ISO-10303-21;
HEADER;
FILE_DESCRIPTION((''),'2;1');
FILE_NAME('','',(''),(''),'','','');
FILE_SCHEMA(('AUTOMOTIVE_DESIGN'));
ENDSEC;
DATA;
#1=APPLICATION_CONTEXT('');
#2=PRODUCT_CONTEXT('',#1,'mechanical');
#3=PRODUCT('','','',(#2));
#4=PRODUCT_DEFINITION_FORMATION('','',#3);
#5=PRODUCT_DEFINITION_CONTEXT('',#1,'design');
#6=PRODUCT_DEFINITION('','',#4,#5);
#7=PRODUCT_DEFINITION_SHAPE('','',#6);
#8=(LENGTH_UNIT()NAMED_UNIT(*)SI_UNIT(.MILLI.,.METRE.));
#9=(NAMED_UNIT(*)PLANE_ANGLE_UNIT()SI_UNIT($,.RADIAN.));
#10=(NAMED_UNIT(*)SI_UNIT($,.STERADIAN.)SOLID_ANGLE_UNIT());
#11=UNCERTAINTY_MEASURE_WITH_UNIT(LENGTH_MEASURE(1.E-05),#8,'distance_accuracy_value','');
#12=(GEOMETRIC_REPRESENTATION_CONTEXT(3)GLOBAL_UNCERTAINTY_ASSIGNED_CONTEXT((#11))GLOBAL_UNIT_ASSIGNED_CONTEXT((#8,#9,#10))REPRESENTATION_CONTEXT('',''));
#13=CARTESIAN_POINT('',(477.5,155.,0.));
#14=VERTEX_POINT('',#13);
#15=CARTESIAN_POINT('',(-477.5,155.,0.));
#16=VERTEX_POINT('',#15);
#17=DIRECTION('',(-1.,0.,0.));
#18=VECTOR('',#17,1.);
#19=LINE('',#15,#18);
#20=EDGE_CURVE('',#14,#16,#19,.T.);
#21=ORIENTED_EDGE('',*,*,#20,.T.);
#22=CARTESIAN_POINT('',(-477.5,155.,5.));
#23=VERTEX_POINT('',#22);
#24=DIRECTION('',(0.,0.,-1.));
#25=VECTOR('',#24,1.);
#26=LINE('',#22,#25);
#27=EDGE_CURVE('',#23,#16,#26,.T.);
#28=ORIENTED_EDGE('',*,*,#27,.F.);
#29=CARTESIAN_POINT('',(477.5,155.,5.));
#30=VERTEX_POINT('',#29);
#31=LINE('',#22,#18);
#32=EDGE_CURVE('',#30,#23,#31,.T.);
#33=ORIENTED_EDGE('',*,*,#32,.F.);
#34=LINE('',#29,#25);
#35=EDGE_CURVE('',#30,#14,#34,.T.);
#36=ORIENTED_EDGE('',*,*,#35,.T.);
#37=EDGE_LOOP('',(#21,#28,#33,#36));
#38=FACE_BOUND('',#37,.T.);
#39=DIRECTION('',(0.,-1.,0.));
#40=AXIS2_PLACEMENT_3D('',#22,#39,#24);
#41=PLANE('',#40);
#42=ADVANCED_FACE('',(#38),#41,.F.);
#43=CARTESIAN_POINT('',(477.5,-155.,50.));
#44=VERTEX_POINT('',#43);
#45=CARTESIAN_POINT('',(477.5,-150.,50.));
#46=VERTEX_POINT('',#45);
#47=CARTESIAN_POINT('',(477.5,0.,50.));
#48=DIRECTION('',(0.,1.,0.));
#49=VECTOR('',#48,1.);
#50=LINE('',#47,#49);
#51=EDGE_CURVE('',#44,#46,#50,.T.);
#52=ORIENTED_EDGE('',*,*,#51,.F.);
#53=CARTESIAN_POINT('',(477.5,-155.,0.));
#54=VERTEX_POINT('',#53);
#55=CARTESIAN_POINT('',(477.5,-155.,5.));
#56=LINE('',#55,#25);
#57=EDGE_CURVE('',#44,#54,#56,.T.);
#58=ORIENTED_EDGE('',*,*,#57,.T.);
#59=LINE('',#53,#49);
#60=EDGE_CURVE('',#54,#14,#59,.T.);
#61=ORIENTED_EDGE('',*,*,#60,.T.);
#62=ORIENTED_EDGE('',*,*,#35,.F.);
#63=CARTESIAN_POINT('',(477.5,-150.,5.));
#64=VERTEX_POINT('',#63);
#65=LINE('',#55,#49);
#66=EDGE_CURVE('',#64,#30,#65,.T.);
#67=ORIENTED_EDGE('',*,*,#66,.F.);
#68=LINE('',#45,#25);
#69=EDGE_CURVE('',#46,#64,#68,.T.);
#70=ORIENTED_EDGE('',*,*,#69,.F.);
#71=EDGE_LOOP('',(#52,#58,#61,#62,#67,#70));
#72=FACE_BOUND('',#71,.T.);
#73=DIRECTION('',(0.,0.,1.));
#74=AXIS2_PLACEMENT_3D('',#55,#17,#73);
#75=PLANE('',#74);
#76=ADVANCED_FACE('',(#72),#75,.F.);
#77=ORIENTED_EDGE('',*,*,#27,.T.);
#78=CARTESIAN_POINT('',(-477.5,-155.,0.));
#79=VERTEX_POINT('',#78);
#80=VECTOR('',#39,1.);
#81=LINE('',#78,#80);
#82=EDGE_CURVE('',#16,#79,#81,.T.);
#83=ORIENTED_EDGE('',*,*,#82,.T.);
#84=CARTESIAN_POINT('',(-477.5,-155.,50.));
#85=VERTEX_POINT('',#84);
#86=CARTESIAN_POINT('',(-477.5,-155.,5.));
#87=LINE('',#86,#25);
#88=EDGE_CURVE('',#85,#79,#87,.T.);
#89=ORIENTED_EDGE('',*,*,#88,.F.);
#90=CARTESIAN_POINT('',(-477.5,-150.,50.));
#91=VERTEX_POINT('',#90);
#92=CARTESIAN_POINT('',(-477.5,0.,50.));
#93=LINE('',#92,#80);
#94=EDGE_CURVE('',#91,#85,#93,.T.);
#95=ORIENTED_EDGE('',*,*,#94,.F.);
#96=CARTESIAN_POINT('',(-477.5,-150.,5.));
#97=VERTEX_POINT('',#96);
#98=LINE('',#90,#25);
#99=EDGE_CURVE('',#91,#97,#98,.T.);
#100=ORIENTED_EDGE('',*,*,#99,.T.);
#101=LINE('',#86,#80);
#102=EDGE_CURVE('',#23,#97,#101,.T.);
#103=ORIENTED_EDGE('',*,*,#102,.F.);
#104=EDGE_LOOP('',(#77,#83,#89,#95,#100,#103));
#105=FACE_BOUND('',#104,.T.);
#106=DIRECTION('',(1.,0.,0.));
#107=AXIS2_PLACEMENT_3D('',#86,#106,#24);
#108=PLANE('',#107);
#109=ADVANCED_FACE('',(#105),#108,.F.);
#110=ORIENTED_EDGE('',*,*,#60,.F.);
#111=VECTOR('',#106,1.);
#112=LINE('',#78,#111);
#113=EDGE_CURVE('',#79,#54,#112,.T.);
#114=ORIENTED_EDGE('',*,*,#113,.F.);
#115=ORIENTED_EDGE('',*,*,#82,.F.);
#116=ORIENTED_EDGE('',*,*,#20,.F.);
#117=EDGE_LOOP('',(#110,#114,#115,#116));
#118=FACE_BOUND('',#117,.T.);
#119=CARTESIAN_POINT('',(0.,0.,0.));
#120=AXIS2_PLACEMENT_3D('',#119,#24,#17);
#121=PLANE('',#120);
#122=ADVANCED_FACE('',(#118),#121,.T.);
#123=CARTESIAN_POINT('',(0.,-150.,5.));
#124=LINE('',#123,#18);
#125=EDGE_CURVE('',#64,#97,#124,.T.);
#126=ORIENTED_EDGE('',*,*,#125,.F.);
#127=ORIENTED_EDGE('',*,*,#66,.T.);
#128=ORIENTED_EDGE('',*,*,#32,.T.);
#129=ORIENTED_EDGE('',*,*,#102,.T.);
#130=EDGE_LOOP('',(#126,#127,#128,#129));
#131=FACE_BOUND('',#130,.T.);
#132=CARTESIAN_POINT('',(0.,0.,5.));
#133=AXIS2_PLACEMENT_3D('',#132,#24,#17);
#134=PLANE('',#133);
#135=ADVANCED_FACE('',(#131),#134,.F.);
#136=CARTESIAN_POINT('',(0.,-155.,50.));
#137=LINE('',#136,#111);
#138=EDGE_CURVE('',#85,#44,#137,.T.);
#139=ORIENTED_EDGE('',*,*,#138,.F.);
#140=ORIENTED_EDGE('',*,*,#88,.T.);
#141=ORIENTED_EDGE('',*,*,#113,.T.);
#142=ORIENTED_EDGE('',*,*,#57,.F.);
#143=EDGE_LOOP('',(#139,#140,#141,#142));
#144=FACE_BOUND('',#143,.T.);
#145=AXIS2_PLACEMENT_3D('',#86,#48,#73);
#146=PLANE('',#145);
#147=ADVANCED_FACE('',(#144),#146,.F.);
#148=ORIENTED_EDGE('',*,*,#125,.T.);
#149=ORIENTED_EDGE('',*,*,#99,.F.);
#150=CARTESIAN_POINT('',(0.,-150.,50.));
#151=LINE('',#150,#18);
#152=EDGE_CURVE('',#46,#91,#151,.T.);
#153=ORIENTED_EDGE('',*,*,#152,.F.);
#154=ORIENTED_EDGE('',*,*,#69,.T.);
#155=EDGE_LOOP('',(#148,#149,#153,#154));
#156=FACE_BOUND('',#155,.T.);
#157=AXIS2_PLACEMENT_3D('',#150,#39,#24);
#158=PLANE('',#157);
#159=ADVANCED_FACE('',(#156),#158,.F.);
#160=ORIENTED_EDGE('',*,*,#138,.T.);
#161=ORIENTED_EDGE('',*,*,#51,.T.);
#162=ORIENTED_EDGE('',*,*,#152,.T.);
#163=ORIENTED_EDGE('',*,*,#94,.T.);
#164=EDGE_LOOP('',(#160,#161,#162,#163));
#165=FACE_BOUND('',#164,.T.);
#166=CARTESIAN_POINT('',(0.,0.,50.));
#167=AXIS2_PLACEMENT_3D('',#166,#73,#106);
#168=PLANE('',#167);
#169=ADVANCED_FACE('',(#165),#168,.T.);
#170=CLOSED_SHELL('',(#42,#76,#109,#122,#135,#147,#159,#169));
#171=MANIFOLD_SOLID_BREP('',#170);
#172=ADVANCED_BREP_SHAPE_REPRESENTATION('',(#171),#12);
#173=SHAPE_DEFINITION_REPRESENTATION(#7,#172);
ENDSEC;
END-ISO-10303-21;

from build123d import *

# Parameters (mm, degrees)
SKETCH1_W           = 955
SKETCH1_H           = 310
BOSS_EXTRUDE1_DEPTH = 5
BOSS_EXTRUDE2_START = 5
SKETCH2_W           = 955
SKETCH2_H           = 5
BOSS_EXTRUDE2_DEPTH = 45


with BuildPart() as part:
    # Sketch1 → Boss-Extrude1 (new body)
    with BuildSketch(Plane.XY):
        Rectangle(SKETCH1_W, SKETCH1_H)
    extrude(amount=BOSS_EXTRUDE1_DEPTH)

    # Sketch2 → Boss-Extrude2 (add)
    with BuildSketch(Plane.XY.offset(BOSS_EXTRUDE2_START)):
        with Locations((0, -152.5)):
            Rectangle(SKETCH2_W, SKETCH2_H)
    extrude(amount=BOSS_EXTRUDE2_DEPTH)


solid = part.part
